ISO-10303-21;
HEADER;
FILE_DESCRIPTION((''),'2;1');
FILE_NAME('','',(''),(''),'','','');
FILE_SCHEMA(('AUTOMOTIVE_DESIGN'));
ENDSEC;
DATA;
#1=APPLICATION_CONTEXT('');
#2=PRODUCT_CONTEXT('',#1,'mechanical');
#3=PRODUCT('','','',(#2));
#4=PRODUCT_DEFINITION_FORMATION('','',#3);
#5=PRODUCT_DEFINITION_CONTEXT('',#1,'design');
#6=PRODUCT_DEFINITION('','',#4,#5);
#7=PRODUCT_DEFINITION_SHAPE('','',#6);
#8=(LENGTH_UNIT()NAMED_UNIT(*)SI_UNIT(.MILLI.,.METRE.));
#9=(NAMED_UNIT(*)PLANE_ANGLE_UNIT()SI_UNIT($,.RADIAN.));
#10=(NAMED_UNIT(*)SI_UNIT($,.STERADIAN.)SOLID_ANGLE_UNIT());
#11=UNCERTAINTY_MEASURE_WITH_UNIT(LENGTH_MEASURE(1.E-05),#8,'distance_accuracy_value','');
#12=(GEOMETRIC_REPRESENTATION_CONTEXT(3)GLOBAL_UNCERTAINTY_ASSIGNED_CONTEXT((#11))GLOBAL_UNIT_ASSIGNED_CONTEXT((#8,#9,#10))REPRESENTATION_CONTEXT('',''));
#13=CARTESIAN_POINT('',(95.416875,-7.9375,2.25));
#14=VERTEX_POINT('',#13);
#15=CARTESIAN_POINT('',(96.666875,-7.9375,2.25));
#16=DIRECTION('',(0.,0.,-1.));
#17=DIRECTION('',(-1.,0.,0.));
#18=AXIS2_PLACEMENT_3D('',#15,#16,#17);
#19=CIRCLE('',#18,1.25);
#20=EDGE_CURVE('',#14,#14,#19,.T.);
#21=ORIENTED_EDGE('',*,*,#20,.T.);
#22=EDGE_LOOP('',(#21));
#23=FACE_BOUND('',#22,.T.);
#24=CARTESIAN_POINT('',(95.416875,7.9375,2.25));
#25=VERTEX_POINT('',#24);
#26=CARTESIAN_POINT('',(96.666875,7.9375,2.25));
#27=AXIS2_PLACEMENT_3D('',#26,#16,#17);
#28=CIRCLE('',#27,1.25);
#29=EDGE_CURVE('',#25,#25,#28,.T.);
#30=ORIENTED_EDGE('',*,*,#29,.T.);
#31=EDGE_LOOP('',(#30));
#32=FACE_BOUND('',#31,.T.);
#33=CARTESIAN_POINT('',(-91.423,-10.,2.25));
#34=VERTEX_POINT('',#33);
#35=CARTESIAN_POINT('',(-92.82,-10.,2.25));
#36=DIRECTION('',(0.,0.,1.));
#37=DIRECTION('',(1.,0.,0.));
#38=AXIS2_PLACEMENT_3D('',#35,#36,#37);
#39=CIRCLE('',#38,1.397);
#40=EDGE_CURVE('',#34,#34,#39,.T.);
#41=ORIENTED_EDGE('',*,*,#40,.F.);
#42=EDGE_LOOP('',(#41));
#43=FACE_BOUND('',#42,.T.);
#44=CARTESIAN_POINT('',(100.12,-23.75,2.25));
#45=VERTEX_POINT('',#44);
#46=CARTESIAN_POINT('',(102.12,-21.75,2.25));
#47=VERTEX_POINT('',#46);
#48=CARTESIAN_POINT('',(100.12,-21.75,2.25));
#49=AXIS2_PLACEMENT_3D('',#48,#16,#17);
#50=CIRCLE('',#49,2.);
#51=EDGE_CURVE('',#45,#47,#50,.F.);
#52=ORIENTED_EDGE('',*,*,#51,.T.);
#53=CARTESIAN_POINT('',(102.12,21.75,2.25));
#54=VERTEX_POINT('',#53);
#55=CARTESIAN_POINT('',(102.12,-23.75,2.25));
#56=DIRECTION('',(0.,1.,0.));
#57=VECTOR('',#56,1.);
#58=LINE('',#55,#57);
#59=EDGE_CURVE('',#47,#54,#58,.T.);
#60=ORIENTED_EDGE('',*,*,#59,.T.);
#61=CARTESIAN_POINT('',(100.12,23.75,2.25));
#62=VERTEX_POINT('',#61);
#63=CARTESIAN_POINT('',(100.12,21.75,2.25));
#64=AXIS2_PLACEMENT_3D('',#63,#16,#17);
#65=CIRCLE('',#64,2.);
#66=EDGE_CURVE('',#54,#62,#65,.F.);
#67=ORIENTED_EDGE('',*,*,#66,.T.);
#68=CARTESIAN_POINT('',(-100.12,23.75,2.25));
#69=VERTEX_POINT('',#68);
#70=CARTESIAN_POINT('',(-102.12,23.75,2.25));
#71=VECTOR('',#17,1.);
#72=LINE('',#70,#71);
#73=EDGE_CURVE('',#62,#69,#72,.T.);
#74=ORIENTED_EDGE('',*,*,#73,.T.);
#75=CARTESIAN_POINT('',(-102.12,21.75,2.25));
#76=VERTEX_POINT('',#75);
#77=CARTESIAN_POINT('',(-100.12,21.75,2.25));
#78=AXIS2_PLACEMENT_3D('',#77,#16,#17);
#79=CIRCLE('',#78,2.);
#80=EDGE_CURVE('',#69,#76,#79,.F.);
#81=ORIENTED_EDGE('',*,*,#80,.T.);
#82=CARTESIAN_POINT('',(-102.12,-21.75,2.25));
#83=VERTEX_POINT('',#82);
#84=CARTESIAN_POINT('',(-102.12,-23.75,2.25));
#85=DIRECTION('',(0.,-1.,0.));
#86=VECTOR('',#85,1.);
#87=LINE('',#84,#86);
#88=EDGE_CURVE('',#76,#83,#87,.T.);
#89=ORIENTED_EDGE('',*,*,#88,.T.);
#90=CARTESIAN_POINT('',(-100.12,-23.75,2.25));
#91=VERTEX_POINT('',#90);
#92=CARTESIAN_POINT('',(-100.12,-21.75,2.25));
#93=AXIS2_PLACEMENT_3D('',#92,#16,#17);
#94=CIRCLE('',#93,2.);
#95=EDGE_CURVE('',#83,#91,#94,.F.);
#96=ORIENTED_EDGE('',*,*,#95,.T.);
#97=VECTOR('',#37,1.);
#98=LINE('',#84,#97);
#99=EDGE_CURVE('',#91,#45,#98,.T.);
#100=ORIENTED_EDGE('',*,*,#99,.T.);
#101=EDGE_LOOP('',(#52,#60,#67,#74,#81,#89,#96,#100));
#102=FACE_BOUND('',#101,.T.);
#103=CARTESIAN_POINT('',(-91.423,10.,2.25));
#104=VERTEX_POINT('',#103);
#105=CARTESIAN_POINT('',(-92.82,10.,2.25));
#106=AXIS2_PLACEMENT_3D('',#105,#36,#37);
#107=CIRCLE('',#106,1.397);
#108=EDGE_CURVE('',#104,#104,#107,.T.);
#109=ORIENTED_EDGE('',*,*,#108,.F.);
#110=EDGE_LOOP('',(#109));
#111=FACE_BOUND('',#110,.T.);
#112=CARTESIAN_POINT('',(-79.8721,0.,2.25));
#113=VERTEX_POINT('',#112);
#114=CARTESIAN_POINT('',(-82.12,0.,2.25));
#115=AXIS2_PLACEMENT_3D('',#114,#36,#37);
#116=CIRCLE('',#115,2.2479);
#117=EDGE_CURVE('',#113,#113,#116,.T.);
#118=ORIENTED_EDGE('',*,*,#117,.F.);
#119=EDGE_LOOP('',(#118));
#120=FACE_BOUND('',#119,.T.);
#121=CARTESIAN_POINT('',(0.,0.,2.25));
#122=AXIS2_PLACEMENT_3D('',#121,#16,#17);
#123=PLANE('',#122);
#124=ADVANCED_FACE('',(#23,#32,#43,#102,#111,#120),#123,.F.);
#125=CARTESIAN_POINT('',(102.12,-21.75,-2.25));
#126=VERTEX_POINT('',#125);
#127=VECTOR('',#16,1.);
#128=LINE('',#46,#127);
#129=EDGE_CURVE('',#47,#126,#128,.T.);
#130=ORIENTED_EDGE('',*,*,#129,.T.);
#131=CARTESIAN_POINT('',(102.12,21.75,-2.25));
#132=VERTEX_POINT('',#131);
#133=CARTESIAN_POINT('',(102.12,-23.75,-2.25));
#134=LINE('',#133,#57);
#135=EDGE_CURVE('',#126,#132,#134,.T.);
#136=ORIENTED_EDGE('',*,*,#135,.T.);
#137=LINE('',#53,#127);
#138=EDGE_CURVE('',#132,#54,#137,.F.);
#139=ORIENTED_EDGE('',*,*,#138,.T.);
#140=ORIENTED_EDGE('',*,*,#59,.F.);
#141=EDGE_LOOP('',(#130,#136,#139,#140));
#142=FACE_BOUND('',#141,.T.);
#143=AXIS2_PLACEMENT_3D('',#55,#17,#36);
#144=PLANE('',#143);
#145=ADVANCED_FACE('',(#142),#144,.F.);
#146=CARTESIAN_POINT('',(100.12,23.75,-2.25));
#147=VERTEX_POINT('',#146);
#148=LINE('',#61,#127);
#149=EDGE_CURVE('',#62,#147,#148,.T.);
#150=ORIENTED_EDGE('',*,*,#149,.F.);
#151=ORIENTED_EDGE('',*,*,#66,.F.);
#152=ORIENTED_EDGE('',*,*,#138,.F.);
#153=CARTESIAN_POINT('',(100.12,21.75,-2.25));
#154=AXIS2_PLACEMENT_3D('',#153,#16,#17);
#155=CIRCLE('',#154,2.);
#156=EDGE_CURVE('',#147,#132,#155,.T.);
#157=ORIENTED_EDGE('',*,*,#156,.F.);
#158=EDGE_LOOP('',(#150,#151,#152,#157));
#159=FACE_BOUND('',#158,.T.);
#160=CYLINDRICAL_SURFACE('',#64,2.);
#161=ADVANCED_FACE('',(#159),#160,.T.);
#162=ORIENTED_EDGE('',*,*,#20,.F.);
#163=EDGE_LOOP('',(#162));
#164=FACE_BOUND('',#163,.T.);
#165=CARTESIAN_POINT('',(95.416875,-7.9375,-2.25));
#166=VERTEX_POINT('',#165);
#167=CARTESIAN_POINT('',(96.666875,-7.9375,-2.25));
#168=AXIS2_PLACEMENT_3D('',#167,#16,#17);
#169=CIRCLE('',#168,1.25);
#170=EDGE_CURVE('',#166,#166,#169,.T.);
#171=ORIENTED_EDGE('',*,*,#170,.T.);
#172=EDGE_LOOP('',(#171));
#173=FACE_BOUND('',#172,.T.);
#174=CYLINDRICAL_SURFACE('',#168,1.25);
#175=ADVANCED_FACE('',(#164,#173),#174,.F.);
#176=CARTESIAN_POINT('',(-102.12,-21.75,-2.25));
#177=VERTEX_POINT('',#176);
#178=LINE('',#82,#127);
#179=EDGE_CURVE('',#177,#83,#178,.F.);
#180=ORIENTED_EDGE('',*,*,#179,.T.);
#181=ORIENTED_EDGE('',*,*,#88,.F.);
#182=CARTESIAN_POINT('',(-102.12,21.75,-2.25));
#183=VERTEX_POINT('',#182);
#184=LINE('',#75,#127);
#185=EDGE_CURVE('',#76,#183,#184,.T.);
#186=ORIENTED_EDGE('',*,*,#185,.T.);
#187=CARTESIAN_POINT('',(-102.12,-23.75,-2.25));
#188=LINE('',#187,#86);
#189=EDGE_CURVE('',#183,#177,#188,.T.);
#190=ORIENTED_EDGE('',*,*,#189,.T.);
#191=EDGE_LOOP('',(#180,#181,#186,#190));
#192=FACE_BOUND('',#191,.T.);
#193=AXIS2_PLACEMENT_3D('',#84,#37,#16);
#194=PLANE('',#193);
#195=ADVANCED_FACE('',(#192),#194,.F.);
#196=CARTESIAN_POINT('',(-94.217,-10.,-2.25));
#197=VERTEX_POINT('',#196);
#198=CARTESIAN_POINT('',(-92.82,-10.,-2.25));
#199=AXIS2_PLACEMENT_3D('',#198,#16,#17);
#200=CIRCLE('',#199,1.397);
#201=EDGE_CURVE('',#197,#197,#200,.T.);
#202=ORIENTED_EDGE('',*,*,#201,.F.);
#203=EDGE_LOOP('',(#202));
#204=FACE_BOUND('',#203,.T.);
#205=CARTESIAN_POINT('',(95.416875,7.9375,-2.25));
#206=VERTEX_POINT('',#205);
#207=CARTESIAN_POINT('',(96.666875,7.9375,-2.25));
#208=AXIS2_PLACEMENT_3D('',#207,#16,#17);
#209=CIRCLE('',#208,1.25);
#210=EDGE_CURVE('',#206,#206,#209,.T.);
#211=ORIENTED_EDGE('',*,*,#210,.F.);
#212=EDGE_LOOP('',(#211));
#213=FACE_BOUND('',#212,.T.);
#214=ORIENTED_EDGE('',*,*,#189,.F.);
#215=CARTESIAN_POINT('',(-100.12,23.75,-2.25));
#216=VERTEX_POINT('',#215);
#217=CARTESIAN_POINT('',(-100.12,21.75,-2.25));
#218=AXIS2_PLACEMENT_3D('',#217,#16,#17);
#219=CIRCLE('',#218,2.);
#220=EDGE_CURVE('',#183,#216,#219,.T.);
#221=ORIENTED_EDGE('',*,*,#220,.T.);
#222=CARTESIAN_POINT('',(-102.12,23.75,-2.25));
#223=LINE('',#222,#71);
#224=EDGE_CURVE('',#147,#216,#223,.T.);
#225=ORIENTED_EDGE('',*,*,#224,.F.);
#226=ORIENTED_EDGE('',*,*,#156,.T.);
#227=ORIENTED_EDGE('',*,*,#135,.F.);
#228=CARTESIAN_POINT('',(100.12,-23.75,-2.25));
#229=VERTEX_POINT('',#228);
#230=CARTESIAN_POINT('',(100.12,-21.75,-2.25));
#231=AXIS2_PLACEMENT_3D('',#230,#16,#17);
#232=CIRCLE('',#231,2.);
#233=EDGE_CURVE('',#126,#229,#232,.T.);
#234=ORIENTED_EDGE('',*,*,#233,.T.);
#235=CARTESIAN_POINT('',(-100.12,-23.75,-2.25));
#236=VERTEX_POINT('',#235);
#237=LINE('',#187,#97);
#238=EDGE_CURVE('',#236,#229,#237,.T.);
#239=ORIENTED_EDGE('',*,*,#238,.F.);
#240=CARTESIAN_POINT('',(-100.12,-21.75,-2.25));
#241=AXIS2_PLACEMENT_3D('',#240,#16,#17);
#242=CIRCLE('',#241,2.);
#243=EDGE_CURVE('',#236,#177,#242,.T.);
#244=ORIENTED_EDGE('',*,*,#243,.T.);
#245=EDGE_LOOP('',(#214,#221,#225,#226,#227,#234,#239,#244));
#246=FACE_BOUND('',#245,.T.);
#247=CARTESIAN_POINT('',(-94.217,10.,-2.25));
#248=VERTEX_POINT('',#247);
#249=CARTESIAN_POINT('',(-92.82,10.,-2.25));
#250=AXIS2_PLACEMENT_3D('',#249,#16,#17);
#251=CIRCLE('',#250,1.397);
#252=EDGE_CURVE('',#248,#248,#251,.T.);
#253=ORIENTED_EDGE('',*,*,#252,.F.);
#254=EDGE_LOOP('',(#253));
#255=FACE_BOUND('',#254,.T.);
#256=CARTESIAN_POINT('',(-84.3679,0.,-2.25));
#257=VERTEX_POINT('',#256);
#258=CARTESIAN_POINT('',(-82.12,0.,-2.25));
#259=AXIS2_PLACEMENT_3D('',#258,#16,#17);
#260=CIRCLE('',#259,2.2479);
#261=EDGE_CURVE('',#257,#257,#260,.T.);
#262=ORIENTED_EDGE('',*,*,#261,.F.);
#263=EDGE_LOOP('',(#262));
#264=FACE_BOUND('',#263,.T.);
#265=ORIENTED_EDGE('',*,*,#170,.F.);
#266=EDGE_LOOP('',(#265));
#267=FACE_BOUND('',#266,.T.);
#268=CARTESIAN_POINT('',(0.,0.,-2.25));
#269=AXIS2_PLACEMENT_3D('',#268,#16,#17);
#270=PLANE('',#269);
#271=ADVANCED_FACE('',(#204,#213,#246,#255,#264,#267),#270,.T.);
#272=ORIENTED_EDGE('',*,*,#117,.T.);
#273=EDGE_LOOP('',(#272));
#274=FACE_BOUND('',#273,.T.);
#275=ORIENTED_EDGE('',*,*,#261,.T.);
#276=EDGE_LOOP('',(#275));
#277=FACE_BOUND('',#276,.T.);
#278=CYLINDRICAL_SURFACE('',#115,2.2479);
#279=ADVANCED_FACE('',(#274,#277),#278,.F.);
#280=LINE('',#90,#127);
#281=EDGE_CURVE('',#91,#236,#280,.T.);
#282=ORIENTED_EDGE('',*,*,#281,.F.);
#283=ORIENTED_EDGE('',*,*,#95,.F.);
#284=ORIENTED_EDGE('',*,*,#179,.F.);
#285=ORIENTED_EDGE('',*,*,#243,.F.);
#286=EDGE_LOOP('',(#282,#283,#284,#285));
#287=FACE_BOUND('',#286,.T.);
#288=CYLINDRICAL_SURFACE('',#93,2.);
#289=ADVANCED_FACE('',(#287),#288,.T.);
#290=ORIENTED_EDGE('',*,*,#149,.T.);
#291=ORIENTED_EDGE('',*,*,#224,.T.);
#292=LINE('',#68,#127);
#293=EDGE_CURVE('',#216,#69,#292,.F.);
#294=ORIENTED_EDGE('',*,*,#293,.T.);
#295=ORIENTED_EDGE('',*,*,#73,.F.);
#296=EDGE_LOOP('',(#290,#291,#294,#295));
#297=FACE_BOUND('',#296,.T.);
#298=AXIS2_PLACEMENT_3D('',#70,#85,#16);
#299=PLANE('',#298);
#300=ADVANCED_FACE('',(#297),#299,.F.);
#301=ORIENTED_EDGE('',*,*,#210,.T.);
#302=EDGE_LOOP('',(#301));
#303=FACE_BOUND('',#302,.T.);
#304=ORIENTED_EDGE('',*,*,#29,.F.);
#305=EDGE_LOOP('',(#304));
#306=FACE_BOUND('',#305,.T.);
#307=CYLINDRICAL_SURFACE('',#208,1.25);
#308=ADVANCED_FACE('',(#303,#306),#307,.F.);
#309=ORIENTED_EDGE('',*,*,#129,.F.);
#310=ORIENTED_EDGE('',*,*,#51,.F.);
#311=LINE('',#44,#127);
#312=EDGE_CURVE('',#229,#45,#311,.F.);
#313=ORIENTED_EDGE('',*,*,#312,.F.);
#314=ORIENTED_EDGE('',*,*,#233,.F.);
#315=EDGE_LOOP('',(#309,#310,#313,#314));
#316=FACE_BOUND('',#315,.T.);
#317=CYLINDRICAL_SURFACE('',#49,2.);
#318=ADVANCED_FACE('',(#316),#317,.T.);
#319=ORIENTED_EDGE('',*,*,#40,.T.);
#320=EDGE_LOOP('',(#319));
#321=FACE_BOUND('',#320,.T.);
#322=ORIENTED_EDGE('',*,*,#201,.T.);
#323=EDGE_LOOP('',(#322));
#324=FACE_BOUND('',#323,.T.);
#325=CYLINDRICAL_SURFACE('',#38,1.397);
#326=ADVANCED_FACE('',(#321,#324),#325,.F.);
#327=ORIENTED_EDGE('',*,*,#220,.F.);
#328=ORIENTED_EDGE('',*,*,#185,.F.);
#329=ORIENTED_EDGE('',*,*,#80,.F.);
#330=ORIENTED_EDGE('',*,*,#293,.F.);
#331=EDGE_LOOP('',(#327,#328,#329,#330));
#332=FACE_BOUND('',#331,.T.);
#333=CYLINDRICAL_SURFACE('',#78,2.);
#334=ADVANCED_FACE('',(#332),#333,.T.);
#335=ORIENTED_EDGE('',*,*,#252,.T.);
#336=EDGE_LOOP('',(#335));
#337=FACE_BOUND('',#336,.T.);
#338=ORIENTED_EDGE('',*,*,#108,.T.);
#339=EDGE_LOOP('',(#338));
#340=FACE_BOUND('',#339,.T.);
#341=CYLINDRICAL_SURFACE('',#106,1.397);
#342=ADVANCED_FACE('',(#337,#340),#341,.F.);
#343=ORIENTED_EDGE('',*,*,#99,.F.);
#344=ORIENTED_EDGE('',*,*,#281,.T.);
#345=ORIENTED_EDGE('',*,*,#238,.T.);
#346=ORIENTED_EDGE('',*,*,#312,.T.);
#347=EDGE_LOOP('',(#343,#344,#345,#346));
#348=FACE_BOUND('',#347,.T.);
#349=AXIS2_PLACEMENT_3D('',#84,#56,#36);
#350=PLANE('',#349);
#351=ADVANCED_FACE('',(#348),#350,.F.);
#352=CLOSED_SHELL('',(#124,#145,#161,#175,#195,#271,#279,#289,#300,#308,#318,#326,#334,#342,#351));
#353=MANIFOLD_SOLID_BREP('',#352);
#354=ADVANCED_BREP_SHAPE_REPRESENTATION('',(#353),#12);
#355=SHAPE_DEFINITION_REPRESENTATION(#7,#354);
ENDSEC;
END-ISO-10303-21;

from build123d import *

# Parameters (mm, degrees)
SKETCH1_W                      = 204.24
SKETCH1_H                      = 47.5
BOSS_EXTRUDE1_DEPTH            = 2.25
F_8_CLEARANCE_HOLE1_D          = 4.4958
FILLET1_R                      = 2
F_3_CLEARANCE_HOLE1_D          = 2.794
F_2_0_221_DIAMETER_HOLE1_D     = 2.50000008
F_2_0_221_DIAMETER_HOLE1_DEPTH = 20
F_2_0_221_DIAMETER_HOLE1_TIP   = 0.751075798


with BuildPart() as part:
    # Sketch1 → Boss-Extrude1 (new, symmetric)
    with BuildSketch(Plane.XY):
        Rectangle(SKETCH1_W, SKETCH1_H)
    extrude(amount=BOSS_EXTRUDE1_DEPTH, both=True)

    # #8 Clearance Hole1 (through all)
    with Locations(Plane.XY.offset(2.25)):
        with Locations((-82.12, 0)):
            Hole(F_8_CLEARANCE_HOLE1_D / 2)

    # Fillet1
    fillet1_edges = [part.edges().sort_by_distance(p)[0] for p in [
        (-102.12, 23.75, 0),
        (102.12, 23.75, 0),
        (102.12, -23.75, 0),
        (-102.12, -23.75, 0),
    ]]
    fillet(fillet1_edges, radius=FILLET1_R)

    # #3 Clearance Hole1 (through all)
    with Locations(Plane.XY.offset(2.25)):
        with Locations((-92.82, 10), (-92.82, -10)):
            Hole(F_3_CLEARANCE_HOLE1_D / 2)

    # #2 (0.221) Diameter Hole1
    with Locations(Plane(origin=(0, 0, -2.25), x_dir=(-1, 0, 0), z_dir=(0, 0, -1))):
        with Locations((-96.666875, 7.9375), (-96.666875, -7.9375)):
            Hole(F_2_0_221_DIAMETER_HOLE1_D / 2, depth=F_2_0_221_DIAMETER_HOLE1_DEPTH)
            with Locations((0, 0, -(F_2_0_221_DIAMETER_HOLE1_DEPTH + F_2_0_221_DIAMETER_HOLE1_TIP / 2))):  # 118° drill point
                Cone(0, F_2_0_221_DIAMETER_HOLE1_D / 2, F_2_0_221_DIAMETER_HOLE1_TIP, mode=Mode.SUBTRACT)


solid = part.part
